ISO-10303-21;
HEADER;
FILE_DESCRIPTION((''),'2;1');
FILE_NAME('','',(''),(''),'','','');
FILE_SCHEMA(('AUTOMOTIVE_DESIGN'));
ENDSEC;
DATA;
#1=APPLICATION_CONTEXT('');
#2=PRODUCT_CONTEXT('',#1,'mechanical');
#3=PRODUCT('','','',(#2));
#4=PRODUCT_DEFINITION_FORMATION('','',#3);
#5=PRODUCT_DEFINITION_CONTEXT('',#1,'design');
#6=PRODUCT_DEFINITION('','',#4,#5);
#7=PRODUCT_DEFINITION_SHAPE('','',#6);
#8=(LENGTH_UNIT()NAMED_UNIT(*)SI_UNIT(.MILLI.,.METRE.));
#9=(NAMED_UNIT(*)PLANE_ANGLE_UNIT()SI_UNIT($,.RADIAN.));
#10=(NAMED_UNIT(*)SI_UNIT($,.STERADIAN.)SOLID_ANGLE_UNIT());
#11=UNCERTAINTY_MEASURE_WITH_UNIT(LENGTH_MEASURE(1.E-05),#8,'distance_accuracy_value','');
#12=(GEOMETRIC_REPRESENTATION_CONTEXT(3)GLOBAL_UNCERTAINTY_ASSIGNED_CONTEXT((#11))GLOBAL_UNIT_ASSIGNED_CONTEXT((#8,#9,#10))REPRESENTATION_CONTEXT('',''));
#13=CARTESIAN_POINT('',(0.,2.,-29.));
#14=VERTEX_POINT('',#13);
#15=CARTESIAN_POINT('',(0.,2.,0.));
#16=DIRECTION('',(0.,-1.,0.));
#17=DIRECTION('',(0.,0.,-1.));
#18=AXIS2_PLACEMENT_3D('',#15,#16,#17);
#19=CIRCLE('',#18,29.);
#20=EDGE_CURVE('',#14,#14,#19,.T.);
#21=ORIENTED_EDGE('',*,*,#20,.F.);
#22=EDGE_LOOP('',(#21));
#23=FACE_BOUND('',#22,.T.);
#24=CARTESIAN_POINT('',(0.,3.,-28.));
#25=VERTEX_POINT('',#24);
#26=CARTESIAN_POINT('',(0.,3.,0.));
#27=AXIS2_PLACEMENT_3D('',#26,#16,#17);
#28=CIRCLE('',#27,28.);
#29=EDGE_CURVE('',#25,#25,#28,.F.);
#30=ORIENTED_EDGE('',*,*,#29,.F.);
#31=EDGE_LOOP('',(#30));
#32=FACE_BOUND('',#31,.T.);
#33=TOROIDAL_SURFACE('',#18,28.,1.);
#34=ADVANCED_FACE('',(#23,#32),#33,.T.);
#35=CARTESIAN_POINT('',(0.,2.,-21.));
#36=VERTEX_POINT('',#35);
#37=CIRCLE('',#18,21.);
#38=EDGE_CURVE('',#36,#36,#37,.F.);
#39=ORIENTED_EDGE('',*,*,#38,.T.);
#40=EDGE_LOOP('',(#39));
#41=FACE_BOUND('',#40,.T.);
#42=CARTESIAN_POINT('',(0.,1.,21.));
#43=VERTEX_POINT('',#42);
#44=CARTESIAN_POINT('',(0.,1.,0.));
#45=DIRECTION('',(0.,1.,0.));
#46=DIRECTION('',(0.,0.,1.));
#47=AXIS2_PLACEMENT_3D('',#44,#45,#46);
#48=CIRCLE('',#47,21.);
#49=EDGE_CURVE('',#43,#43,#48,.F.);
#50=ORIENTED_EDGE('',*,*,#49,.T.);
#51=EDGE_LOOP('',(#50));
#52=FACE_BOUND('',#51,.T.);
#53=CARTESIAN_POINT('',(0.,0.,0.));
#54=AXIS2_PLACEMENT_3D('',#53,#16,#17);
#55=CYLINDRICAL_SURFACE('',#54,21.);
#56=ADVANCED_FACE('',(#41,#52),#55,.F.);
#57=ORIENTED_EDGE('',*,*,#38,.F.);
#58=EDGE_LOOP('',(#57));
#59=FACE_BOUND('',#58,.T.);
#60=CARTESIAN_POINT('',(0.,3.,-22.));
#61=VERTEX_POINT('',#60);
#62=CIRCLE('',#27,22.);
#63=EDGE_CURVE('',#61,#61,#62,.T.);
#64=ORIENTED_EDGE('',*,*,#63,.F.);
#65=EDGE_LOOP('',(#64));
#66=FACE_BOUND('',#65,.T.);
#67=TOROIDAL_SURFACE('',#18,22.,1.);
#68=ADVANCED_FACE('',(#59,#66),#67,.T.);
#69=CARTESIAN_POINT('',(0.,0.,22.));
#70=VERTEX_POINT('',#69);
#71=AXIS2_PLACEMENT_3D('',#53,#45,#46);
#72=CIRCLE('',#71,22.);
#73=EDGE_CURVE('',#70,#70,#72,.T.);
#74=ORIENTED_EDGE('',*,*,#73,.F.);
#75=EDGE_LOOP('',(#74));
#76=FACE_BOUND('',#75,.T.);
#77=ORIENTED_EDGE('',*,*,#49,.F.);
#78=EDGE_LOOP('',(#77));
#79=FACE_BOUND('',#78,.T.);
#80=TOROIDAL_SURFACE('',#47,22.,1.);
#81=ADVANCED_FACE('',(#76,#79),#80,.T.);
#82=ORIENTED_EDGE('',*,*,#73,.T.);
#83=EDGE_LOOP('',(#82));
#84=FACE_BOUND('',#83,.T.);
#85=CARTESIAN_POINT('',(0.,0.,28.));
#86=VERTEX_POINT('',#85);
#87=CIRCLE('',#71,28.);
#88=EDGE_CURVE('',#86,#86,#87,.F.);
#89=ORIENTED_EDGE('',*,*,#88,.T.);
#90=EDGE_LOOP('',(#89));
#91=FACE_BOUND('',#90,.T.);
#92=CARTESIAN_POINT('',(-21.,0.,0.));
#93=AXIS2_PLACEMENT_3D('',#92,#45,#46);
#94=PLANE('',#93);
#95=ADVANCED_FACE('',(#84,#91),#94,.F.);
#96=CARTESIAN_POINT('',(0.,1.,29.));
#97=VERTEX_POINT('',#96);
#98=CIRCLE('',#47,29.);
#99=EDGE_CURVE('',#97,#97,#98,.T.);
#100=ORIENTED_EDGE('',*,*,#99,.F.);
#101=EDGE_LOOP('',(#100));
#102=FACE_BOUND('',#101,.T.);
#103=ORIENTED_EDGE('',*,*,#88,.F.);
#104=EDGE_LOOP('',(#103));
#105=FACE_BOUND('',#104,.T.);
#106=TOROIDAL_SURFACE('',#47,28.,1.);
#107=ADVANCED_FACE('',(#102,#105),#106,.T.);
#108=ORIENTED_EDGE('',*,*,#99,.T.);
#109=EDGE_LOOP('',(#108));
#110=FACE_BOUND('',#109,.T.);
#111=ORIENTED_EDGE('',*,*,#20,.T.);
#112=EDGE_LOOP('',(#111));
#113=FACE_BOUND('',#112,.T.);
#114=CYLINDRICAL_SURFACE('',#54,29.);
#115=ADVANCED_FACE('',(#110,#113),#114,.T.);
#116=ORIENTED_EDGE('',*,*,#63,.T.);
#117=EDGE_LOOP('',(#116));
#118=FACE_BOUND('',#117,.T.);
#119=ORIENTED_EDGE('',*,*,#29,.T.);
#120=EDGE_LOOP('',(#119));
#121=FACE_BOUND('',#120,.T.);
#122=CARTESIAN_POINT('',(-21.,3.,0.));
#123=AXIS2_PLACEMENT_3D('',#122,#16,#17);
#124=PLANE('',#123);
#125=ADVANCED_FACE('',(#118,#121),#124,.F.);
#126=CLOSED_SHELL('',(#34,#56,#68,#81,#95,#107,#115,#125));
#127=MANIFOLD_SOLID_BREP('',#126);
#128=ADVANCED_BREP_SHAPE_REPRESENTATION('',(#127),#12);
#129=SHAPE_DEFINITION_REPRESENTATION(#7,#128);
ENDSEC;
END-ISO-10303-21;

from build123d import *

# Parameters (mm, degrees)
SKETCH1_W = 8
SKETCH1_H = 3
FILLET1_R = 1


with BuildPart() as part:
    # Sketch1 → Revolve1 (revolve)
    with BuildSketch(Plane.XY, mode=Mode.PRIVATE) as revolve1_sk:
        with Locations((-25, 1.5)):
            Rectangle(SKETCH1_W, SKETCH1_H)
    revolve(revolve1_sk.sketch.rotate(Axis((0, 0, 0), (0, 1, 0)), 270), axis=Axis((0, 0, 0), (0, 1, 0)))

    # Fillet1
    fillet1_edges = [part.edges().sort_by_distance(p)[0] for p in [
        (0, 3, 21),
        (0, 3, 29),
        (0, 0, 29),
        (0, 0, 21),
    ]]
    fillet(fillet1_edges, radius=FILLET1_R)


solid = part.part
